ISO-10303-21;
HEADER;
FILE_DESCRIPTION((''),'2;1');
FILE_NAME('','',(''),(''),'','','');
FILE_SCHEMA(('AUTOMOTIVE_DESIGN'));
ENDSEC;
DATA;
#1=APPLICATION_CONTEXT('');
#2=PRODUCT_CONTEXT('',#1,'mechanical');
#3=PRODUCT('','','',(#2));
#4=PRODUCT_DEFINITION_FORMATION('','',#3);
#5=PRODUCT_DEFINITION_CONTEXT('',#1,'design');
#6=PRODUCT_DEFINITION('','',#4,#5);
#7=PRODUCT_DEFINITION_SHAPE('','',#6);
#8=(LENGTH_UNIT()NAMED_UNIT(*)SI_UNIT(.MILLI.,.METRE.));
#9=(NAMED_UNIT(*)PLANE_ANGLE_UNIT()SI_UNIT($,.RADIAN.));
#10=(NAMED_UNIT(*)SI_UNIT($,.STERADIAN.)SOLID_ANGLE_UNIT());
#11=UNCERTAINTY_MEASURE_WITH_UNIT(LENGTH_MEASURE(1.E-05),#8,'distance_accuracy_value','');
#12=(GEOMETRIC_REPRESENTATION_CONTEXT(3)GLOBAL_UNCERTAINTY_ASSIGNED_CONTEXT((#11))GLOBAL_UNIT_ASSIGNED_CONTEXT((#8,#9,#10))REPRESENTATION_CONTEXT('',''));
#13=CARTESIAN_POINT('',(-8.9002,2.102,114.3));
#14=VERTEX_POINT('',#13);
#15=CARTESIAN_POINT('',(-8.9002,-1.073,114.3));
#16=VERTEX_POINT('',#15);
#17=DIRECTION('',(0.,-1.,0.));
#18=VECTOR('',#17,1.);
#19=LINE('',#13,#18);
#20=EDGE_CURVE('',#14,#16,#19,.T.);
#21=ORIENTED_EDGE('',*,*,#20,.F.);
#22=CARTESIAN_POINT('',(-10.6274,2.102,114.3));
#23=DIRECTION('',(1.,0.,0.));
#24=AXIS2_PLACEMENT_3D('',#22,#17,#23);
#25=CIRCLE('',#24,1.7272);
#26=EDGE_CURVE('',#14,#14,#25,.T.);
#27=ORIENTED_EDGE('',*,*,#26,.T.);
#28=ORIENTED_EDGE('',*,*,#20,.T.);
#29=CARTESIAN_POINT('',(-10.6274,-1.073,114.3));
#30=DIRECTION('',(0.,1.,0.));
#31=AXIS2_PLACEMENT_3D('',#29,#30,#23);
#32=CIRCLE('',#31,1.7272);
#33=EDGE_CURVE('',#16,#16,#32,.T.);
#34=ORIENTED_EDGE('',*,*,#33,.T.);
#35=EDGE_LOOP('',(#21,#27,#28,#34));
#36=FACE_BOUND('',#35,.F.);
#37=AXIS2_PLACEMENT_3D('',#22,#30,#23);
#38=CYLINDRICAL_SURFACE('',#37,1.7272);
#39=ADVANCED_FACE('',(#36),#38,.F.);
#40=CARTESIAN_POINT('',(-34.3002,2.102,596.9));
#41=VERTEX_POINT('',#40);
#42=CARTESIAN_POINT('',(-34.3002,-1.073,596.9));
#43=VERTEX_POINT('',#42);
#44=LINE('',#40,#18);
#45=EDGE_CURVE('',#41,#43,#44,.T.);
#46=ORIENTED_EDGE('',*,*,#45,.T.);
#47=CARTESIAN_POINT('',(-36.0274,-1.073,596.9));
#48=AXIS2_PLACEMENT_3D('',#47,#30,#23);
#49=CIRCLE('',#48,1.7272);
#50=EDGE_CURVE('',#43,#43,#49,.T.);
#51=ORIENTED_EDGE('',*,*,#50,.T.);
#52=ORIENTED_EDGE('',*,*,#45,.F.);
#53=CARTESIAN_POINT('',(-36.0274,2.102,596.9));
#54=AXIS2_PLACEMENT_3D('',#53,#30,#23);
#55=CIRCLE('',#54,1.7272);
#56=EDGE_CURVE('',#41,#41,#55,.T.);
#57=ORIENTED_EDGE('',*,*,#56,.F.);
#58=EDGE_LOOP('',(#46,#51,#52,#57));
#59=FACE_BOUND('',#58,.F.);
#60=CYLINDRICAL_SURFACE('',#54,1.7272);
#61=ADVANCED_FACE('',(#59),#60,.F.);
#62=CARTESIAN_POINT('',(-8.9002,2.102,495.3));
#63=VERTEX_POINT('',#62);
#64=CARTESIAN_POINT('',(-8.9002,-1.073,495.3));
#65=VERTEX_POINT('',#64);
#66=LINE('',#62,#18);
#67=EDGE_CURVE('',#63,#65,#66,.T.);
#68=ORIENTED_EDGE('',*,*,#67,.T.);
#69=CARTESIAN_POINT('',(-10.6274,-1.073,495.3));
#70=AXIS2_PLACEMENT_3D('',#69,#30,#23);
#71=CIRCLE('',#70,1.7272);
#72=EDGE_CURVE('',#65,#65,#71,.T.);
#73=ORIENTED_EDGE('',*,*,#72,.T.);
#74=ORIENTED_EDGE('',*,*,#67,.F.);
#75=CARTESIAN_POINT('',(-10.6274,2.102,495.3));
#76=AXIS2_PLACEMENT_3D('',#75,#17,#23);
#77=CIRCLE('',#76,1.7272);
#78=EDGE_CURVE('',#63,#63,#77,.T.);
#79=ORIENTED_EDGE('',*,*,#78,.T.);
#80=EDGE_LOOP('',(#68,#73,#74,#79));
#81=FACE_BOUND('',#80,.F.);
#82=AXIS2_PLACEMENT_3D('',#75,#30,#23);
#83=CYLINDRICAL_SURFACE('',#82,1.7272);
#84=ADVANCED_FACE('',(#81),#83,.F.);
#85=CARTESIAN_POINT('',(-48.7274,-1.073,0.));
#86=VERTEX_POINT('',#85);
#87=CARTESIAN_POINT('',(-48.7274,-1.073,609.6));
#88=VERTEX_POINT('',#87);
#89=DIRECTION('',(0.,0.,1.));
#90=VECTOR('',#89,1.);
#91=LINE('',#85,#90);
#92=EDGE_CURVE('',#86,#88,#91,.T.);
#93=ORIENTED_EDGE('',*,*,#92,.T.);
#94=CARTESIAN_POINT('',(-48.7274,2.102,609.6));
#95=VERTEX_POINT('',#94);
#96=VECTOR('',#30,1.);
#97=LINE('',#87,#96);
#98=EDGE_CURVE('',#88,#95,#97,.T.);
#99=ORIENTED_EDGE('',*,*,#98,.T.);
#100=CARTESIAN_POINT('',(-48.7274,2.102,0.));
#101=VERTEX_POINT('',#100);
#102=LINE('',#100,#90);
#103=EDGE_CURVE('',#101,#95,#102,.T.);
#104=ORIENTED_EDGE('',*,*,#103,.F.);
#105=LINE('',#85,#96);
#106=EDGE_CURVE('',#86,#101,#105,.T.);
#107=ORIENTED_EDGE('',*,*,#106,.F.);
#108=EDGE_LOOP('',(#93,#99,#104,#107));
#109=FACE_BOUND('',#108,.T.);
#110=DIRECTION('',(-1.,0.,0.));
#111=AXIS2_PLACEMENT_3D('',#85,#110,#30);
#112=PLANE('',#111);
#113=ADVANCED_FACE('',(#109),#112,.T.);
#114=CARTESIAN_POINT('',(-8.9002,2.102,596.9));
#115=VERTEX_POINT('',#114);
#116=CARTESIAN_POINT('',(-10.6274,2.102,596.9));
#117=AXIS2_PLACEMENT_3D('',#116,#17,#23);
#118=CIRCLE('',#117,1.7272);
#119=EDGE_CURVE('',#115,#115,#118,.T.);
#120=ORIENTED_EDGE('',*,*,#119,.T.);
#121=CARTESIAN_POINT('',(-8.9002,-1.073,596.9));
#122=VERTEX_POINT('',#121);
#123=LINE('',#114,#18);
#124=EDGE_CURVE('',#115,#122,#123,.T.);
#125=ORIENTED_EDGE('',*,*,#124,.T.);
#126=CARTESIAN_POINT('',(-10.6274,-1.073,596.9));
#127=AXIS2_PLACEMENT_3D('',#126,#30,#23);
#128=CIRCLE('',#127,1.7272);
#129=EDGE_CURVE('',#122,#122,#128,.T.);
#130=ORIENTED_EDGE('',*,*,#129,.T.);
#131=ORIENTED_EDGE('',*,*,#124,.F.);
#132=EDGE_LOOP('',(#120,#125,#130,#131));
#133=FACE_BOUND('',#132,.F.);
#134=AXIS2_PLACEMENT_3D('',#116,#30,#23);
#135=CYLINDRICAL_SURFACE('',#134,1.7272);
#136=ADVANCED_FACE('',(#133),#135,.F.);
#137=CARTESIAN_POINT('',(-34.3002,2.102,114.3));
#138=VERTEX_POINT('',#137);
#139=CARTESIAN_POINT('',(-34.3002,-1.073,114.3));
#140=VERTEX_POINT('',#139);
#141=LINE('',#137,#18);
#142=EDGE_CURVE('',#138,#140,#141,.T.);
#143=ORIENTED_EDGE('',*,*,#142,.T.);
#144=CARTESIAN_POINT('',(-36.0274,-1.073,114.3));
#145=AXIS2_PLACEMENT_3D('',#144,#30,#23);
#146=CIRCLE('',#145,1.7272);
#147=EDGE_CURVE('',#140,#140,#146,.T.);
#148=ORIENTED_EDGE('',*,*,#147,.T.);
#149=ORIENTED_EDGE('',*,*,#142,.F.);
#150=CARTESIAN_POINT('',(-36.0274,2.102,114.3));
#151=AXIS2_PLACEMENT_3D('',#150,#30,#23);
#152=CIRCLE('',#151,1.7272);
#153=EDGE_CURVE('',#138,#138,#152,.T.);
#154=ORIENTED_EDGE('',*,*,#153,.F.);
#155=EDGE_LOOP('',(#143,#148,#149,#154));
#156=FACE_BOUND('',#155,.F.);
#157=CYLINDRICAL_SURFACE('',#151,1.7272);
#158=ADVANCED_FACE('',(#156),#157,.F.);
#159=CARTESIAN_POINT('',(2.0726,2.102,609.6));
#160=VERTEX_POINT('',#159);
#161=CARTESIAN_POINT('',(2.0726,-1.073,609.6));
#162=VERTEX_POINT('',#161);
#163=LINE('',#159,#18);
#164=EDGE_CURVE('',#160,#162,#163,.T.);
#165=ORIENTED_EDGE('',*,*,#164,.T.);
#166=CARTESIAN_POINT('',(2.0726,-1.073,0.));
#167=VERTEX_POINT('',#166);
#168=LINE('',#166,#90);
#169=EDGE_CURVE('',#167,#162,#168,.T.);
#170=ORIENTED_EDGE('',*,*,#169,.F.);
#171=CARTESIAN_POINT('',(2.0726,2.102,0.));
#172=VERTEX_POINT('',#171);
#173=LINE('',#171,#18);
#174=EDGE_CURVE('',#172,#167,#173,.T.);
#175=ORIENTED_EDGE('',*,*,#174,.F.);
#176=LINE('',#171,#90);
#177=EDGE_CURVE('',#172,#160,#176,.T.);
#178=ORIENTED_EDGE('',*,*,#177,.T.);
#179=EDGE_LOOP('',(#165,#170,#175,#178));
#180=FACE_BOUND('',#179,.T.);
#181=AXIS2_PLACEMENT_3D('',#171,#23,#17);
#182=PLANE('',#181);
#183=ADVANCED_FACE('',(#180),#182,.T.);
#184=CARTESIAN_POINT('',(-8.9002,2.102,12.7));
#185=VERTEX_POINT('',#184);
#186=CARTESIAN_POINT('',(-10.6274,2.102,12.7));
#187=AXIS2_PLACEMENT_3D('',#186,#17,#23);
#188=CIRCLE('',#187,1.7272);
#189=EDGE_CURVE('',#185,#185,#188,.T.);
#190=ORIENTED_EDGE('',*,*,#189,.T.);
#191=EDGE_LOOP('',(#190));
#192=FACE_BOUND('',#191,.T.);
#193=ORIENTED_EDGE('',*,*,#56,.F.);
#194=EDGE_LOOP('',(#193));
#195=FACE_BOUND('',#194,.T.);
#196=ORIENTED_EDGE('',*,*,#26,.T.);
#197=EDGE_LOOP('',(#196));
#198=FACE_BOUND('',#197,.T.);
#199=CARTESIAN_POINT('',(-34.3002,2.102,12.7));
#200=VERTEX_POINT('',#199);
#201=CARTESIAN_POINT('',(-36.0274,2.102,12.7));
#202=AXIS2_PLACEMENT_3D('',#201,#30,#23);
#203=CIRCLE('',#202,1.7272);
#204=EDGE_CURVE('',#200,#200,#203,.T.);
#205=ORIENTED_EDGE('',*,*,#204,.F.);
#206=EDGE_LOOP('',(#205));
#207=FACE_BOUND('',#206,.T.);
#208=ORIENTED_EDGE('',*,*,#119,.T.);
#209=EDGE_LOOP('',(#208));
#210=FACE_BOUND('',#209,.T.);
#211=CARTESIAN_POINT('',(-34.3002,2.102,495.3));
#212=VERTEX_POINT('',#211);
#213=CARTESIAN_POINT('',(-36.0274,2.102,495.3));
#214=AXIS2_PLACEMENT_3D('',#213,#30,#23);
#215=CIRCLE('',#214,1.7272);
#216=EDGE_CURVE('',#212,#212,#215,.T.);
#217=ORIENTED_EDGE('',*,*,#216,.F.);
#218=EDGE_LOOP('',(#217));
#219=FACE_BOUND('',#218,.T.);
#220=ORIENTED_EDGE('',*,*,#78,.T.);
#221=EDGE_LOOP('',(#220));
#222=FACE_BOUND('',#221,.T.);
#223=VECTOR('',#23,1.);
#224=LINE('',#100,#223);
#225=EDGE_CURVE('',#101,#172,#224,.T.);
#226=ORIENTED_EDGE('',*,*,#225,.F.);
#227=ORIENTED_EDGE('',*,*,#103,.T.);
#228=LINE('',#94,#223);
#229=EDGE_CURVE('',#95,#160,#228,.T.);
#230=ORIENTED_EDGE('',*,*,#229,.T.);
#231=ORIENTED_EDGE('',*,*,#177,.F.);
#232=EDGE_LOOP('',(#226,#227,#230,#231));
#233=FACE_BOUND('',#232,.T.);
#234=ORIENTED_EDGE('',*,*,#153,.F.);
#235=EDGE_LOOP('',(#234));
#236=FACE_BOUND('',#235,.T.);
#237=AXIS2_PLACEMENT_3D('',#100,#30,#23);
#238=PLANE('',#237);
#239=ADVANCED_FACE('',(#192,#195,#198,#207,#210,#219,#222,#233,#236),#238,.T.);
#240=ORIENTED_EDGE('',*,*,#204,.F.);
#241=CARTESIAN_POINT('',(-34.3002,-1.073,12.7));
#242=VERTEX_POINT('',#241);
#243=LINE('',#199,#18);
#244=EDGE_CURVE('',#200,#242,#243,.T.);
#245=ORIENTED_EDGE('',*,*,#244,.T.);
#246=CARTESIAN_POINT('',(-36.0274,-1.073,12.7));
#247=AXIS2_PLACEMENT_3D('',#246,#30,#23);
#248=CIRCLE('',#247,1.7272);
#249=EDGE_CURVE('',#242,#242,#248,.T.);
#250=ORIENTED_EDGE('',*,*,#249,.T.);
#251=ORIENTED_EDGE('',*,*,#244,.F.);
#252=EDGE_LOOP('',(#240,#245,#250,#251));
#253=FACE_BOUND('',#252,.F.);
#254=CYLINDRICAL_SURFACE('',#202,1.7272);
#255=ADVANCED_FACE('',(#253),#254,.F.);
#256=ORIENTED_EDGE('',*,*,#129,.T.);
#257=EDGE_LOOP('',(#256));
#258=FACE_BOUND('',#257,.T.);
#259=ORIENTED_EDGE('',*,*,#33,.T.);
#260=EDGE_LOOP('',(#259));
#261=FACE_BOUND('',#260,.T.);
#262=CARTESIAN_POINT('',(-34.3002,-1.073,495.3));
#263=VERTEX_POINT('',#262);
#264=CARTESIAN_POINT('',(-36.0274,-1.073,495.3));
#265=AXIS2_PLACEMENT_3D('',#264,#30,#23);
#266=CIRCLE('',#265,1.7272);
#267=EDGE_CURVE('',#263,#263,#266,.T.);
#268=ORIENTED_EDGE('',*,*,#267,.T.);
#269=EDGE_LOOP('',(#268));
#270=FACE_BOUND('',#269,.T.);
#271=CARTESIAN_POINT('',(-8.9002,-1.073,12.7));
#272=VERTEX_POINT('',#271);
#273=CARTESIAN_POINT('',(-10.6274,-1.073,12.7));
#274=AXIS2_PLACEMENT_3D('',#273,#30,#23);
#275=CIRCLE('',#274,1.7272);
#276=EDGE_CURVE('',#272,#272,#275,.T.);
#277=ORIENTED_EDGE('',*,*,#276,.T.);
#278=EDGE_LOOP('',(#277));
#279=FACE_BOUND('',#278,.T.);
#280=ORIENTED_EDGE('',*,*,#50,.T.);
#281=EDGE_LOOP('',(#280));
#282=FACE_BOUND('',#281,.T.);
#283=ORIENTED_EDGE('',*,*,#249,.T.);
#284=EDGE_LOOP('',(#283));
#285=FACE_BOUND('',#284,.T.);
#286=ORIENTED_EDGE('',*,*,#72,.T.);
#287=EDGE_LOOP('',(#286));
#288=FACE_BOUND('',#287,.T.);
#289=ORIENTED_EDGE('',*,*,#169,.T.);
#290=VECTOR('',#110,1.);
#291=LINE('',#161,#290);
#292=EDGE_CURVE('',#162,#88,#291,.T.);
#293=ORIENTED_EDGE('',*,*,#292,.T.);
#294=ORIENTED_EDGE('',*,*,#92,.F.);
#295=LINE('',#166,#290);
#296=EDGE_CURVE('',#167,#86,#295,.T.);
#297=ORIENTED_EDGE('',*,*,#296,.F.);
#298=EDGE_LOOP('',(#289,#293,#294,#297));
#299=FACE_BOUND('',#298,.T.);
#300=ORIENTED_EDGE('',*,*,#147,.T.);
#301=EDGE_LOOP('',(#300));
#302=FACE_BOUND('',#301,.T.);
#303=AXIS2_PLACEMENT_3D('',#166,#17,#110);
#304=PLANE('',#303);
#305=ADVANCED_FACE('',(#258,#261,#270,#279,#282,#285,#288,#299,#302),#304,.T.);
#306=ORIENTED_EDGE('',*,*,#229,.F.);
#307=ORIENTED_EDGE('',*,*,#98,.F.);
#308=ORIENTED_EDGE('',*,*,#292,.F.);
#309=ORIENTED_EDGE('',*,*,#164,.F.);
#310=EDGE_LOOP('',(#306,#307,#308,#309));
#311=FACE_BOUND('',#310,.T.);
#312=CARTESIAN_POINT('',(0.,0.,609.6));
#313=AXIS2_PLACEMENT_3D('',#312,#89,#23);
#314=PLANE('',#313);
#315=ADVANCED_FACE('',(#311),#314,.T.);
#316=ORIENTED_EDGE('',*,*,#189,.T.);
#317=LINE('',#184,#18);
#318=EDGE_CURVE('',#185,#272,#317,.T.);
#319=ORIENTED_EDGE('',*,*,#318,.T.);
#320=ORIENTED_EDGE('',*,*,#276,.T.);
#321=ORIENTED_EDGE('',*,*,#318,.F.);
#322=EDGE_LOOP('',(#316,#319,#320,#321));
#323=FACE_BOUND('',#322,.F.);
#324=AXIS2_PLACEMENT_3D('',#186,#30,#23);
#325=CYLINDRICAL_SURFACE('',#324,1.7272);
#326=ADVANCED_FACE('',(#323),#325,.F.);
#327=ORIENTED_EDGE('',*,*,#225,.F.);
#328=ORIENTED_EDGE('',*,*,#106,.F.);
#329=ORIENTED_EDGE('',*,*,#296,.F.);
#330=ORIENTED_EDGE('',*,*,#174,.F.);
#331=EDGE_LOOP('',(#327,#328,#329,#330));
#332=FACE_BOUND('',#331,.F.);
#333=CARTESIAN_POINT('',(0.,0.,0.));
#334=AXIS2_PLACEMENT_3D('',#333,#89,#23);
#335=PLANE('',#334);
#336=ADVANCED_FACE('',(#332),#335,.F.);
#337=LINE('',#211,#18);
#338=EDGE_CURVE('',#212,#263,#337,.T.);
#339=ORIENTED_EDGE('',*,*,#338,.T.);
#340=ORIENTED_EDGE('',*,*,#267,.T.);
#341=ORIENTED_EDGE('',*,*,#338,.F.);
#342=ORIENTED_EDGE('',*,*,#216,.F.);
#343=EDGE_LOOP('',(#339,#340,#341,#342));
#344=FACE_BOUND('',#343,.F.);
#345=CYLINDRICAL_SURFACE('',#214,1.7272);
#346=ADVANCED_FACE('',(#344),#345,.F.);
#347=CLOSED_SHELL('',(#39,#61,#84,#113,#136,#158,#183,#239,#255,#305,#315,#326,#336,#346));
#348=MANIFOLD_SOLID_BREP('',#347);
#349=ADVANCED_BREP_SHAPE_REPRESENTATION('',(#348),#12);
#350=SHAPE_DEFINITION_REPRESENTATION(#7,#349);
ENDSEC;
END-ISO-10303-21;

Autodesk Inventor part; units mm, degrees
ref_plane "YZ Plane" through (0, 0, 0) normal (1, 0, 0) x (0, 1, 0)
ref_plane "XZ Plane" through (0, 0, 0) normal (0, 1, 0) x (-1, 0, 0)
ref_plane "XY Plane" through (0, 0, 0) normal (0, 0, 1) x (1, 0, 0)
sketch "Sketch1" plane through (0, 0, 0) normal (0, 0, 1) x (1, 0, 0)
  line L0 (-48.7274, 2.102) -> (2.0726, 2.102)
  line L1 (2.0726, 2.102) -> (2.0726, -1.073)
  line L2 (2.0726, -1.073) -> (-48.7274, -1.073)
  line L3 (-48.7274, -1.073) -> (-48.7274, 2.102)
  point P0 (0, 0)
  dimension "d0" = 3.175
  dimension "d1" = 50.8
extrude "Extrusion1" add sketch "Sketch1" along normal blind 609.6
sketch "Sketch2" plane through (-48.7274, 2.102, 0) normal (0, 1, 0) x (1, 0, 0)
  circle A0 centre (12.7, -12.7) radius 1.7272
  circle A1 centre (38.1, -12.7) radius 1.7272
  line L0 (0, 0) -> (0, -609.6) projected
  line L1 (50.8, 0) -> (0, 0) projected
  line L2 (12.7, -12.7) -> (38.1, -12.7)
  point P0 (48.7274, 0)
  dimension "d5" = 3.4544
  dimension "d6" = 25.4
  dimension "d7" = 12.7
  dimension "d8" = 12.7
extrude "Extrusion2" cut sketch "Sketch2" against normal through all
pattern_linear "Rectangular Pattern1" count 2 spacing 584.2 along (0, 0, 1) of "Extrusion2"
pattern_linear "Rectangular Pattern2" count 2 spacing 101.6 along (0, 0, 1) count 2 spacing 482.6 along (0, 0, 1) of "Extrusion2"
equation "\"d3\" = d2"
equation "\"d2\" = 609.6"
properties part number "Flat Bar Drive"
